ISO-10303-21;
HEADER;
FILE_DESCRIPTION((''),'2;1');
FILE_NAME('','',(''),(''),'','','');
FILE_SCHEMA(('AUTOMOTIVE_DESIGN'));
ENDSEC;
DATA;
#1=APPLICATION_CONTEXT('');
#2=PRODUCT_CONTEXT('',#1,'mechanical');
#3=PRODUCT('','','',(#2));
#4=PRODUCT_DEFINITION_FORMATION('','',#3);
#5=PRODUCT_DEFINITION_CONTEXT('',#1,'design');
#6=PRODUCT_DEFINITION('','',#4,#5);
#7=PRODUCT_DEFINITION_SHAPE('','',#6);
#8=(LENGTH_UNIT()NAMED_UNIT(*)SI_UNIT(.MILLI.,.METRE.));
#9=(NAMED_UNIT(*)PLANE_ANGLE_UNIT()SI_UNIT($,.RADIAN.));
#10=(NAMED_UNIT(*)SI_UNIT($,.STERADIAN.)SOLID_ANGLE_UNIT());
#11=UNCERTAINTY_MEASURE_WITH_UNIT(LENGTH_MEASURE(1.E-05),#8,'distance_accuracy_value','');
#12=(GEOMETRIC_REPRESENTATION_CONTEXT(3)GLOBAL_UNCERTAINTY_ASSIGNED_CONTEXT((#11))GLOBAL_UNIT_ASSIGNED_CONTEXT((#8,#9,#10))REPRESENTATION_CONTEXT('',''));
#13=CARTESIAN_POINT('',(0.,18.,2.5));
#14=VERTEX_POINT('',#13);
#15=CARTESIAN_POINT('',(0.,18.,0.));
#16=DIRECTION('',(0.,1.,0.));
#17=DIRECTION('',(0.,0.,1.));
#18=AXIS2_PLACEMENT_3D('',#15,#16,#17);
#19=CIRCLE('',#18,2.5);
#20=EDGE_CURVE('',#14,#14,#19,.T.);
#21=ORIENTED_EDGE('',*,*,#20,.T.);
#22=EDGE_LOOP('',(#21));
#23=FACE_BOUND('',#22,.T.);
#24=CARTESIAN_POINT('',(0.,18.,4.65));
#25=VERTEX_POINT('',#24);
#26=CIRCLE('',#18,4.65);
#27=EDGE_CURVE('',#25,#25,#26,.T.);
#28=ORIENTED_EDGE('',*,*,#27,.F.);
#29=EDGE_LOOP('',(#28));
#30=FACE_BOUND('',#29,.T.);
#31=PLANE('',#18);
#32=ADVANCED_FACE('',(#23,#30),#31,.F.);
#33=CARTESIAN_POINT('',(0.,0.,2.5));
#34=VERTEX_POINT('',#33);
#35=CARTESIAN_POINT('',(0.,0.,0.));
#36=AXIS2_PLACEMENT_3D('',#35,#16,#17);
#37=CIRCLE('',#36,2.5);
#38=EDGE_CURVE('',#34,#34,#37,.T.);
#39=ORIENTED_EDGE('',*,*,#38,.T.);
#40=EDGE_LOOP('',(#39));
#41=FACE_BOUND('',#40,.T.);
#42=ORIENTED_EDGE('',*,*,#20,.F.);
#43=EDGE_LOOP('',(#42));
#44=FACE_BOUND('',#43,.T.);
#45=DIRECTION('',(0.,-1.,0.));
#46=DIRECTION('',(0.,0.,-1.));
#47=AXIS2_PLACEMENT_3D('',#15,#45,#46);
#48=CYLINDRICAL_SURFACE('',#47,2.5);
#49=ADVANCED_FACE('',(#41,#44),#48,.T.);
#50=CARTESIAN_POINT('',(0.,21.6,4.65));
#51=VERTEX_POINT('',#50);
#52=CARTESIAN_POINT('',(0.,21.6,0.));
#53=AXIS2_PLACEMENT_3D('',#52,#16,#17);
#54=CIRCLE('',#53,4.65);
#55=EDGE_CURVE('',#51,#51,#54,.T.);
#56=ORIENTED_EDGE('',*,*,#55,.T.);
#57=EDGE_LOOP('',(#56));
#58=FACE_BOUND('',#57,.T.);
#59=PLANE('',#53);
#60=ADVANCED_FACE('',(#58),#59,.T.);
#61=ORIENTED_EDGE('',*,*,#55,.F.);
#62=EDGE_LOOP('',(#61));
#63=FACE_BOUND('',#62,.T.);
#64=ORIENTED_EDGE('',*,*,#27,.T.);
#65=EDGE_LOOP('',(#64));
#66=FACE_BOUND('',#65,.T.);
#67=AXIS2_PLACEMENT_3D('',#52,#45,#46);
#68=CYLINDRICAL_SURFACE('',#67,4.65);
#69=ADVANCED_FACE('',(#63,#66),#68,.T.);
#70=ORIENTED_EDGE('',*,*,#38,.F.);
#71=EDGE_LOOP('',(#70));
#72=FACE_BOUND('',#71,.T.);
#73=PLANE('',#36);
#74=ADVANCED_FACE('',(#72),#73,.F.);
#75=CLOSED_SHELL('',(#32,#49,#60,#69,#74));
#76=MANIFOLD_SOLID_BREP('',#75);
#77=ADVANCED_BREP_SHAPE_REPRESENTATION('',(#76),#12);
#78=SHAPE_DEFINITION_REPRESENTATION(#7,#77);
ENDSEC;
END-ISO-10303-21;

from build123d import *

# Parameters (mm, degrees)
SKETCH_1_R      = 2.5
EXTRUDE_1_DEPTH = 18
SKETCH_2_R      = 4.65
EXTRUDE_2_DEPTH = 3.6


with BuildPart() as part:
    # 草图1 → 凸台-拉伸1 (new body)
    with BuildSketch(Plane(origin=(0, 0, 0), x_dir=(1, 0, 0), z_dir=(0, 1, 0))):
        with Locations(Location((0, 0, 0), (0, 0, 270))):
            Circle(SKETCH_1_R)
    extrude(amount=EXTRUDE_1_DEPTH)

    # 草图2 → 凸台-拉伸2 (add)
    with BuildSketch(Plane(origin=(0, 18, 0), x_dir=(1, 0, 0), z_dir=(0, 1, 0))):
        with Locations(Location((0, 0, 0), (0, 0, 270))):
            Circle(SKETCH_2_R)
    extrude(amount=EXTRUDE_2_DEPTH)


solid = part.part
